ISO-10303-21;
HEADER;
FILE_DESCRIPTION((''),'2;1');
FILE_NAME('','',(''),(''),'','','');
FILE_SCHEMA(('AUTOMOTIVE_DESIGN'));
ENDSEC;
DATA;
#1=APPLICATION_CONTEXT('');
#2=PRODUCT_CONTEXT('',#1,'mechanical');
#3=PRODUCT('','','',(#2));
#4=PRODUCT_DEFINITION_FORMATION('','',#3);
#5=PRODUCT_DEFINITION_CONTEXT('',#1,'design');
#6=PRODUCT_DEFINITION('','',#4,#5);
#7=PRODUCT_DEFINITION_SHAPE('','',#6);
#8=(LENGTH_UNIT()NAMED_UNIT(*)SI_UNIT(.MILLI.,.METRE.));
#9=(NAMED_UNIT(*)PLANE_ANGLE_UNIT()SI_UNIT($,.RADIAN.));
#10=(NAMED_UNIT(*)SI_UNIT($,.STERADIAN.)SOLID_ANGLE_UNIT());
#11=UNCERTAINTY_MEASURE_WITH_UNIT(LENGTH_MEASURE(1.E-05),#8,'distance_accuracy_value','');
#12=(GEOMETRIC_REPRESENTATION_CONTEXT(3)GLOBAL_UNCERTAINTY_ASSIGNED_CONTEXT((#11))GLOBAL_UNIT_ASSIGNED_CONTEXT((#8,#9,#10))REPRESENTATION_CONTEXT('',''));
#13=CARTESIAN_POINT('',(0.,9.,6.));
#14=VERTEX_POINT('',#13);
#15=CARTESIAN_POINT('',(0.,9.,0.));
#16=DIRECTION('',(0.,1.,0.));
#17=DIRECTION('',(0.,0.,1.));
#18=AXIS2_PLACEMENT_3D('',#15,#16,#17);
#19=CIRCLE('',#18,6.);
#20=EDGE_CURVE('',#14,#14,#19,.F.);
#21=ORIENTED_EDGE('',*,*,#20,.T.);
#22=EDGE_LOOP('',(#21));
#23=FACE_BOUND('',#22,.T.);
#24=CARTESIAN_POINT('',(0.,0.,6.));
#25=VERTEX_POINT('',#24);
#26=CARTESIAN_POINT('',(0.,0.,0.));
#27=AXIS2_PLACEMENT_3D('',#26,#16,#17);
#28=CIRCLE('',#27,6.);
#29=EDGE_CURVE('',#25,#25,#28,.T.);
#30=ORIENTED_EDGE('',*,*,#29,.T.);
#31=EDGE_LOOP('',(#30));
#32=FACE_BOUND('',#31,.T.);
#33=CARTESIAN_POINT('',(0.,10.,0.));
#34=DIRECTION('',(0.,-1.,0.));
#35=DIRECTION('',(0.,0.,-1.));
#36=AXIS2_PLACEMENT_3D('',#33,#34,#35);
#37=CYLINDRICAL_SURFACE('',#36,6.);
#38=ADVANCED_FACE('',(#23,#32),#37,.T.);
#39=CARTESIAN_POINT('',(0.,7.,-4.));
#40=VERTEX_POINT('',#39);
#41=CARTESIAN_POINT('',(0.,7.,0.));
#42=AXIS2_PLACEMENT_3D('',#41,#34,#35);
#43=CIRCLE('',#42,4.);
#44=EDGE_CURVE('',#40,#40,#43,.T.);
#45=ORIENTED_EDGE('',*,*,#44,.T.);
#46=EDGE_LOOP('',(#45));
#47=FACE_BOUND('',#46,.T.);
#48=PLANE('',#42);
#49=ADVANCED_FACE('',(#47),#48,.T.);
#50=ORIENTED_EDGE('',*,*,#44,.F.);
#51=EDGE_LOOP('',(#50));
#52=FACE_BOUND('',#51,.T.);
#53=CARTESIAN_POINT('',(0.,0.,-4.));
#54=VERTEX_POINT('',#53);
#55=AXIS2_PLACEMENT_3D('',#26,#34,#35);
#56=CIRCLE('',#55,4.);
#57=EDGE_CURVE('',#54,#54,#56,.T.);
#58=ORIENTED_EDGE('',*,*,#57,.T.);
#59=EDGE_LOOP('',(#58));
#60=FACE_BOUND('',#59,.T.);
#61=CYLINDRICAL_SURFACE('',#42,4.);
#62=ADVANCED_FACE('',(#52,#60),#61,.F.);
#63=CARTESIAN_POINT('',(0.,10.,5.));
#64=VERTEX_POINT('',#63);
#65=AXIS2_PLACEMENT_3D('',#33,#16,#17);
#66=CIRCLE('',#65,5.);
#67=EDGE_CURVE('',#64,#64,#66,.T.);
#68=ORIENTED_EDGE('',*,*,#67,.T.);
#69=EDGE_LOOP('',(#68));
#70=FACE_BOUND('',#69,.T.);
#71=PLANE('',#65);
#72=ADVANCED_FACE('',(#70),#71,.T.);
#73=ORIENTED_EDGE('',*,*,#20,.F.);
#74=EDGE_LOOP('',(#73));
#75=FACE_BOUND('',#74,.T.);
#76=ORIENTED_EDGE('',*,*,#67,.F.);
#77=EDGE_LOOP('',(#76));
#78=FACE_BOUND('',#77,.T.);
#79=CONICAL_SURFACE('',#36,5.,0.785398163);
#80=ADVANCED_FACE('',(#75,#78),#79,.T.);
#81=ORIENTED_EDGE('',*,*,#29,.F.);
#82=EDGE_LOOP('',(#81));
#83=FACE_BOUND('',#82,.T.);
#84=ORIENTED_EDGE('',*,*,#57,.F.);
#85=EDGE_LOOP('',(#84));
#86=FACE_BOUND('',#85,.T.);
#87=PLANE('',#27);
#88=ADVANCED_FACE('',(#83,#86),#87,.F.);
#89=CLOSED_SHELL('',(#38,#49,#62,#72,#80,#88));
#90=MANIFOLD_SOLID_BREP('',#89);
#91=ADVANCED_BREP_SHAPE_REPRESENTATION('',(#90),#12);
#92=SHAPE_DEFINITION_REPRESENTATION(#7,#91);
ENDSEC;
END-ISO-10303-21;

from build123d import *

# Parameters (mm, degrees)
SKETCH1_R           = 6
BOSS_EXTRUDE1_DEPTH = 10
CHAMFER1_SIZE       = 1
SKETCH2_R           = 4
CUT_EXTRUDE1_DEPTH  = 7


with BuildPart() as part:
    # Sketch1 → Boss-Extrude1 (new body)
    with BuildSketch(Plane(origin=(0, 0, 0), x_dir=(1, 0, 0), z_dir=(0, 1, 0))):
        Circle(SKETCH1_R)
    extrude(amount=BOSS_EXTRUDE1_DEPTH)

    # Chamfer1
    chamfer1_edges = [part.edges().sort_by_distance(p)[0] for p in [
        (-6, 10, 0),
    ]]
    chamfer(chamfer1_edges, length=CHAMFER1_SIZE)

    # Sketch2 → Cut-Extrude1 (cut)
    with BuildSketch(Plane.XZ):
        Circle(SKETCH2_R)
    extrude(amount=-CUT_EXTRUDE1_DEPTH, mode=Mode.SUBTRACT)


solid = part.part
